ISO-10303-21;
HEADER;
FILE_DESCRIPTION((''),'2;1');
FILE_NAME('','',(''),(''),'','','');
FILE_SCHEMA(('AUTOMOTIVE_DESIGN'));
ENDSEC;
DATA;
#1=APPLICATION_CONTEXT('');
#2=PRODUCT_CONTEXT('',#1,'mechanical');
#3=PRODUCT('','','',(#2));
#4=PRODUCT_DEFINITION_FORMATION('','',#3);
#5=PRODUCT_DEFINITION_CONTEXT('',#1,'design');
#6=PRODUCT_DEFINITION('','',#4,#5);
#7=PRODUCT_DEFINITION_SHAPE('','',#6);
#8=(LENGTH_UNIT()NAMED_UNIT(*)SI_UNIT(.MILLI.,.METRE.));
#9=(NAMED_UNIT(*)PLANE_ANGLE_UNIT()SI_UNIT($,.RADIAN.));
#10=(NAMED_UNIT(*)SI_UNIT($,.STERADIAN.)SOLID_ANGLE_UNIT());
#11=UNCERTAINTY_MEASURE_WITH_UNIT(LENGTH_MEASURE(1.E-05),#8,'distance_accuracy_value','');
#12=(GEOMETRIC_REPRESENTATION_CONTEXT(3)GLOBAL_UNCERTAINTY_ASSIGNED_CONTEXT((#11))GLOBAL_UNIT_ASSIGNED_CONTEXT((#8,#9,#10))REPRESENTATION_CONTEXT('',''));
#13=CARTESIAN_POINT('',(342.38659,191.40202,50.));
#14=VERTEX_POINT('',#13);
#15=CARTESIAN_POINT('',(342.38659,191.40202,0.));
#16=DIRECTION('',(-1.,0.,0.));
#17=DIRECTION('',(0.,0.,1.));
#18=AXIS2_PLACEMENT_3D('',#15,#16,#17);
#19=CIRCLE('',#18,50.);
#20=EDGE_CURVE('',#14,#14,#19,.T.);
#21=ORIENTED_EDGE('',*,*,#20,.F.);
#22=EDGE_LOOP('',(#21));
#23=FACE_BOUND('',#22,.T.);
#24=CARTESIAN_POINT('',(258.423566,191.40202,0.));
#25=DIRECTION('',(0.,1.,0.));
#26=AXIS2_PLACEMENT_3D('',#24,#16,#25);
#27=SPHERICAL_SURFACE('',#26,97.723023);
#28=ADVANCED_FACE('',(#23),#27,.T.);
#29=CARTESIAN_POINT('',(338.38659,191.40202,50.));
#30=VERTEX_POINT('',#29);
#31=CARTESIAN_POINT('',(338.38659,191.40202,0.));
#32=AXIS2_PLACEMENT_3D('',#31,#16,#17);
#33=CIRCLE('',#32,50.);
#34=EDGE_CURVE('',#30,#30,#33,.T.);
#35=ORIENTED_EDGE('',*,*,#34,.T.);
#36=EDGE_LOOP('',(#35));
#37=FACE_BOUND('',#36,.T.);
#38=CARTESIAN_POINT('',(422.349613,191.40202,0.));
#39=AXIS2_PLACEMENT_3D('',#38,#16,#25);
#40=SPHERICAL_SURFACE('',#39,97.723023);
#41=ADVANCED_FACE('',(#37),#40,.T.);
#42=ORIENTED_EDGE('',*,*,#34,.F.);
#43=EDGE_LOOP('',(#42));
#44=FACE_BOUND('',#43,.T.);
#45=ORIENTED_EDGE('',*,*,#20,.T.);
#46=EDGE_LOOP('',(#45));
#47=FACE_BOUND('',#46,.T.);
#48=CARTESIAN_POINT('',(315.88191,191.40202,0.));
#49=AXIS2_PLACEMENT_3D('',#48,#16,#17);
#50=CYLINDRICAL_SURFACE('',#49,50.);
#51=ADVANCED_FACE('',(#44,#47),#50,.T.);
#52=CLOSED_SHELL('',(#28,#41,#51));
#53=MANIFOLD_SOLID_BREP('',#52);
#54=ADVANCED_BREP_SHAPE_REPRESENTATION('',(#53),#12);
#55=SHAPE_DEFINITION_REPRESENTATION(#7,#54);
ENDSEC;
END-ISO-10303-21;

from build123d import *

# Parameters (mm, degrees)
SKETCH_1_ONE_SIDE_W = 4
SKETCH_1_ONE_SIDE_H = 50


with BuildPart() as part:
    # 草图1 one side → 旋转1 (revolve)
    with BuildSketch(Plane.XY):
        with Locations((340.386589664, 216.402019776)):
            Rectangle(SKETCH_1_ONE_SIDE_W, SKETCH_1_ONE_SIDE_H)
        with BuildLine():
            Line((324.626589664, 191.402019776), (338.386589664, 191.402019776))
            Line((338.386589664, 191.402019776), (338.386589664, 241.402019776))
            ThreePointArc((338.386589664, 241.402019776), (328.129366294, 217.331431648), (324.626589664, 191.402019776))
        make_face()
        with BuildLine():
            Line((342.386589664, 191.402019776), (356.146589664, 191.402019776))
            ThreePointArc((356.146589664, 191.402019776), (352.643813034, 217.331431648), (342.386589664, 241.402019776))
            Line((342.386589664, 241.402019776), (342.386589664, 191.402019776))
        make_face()
    revolve(axis=Axis((315.881910425, 191.402019776, 0), (1, 0, 0)))


solid = part.part
